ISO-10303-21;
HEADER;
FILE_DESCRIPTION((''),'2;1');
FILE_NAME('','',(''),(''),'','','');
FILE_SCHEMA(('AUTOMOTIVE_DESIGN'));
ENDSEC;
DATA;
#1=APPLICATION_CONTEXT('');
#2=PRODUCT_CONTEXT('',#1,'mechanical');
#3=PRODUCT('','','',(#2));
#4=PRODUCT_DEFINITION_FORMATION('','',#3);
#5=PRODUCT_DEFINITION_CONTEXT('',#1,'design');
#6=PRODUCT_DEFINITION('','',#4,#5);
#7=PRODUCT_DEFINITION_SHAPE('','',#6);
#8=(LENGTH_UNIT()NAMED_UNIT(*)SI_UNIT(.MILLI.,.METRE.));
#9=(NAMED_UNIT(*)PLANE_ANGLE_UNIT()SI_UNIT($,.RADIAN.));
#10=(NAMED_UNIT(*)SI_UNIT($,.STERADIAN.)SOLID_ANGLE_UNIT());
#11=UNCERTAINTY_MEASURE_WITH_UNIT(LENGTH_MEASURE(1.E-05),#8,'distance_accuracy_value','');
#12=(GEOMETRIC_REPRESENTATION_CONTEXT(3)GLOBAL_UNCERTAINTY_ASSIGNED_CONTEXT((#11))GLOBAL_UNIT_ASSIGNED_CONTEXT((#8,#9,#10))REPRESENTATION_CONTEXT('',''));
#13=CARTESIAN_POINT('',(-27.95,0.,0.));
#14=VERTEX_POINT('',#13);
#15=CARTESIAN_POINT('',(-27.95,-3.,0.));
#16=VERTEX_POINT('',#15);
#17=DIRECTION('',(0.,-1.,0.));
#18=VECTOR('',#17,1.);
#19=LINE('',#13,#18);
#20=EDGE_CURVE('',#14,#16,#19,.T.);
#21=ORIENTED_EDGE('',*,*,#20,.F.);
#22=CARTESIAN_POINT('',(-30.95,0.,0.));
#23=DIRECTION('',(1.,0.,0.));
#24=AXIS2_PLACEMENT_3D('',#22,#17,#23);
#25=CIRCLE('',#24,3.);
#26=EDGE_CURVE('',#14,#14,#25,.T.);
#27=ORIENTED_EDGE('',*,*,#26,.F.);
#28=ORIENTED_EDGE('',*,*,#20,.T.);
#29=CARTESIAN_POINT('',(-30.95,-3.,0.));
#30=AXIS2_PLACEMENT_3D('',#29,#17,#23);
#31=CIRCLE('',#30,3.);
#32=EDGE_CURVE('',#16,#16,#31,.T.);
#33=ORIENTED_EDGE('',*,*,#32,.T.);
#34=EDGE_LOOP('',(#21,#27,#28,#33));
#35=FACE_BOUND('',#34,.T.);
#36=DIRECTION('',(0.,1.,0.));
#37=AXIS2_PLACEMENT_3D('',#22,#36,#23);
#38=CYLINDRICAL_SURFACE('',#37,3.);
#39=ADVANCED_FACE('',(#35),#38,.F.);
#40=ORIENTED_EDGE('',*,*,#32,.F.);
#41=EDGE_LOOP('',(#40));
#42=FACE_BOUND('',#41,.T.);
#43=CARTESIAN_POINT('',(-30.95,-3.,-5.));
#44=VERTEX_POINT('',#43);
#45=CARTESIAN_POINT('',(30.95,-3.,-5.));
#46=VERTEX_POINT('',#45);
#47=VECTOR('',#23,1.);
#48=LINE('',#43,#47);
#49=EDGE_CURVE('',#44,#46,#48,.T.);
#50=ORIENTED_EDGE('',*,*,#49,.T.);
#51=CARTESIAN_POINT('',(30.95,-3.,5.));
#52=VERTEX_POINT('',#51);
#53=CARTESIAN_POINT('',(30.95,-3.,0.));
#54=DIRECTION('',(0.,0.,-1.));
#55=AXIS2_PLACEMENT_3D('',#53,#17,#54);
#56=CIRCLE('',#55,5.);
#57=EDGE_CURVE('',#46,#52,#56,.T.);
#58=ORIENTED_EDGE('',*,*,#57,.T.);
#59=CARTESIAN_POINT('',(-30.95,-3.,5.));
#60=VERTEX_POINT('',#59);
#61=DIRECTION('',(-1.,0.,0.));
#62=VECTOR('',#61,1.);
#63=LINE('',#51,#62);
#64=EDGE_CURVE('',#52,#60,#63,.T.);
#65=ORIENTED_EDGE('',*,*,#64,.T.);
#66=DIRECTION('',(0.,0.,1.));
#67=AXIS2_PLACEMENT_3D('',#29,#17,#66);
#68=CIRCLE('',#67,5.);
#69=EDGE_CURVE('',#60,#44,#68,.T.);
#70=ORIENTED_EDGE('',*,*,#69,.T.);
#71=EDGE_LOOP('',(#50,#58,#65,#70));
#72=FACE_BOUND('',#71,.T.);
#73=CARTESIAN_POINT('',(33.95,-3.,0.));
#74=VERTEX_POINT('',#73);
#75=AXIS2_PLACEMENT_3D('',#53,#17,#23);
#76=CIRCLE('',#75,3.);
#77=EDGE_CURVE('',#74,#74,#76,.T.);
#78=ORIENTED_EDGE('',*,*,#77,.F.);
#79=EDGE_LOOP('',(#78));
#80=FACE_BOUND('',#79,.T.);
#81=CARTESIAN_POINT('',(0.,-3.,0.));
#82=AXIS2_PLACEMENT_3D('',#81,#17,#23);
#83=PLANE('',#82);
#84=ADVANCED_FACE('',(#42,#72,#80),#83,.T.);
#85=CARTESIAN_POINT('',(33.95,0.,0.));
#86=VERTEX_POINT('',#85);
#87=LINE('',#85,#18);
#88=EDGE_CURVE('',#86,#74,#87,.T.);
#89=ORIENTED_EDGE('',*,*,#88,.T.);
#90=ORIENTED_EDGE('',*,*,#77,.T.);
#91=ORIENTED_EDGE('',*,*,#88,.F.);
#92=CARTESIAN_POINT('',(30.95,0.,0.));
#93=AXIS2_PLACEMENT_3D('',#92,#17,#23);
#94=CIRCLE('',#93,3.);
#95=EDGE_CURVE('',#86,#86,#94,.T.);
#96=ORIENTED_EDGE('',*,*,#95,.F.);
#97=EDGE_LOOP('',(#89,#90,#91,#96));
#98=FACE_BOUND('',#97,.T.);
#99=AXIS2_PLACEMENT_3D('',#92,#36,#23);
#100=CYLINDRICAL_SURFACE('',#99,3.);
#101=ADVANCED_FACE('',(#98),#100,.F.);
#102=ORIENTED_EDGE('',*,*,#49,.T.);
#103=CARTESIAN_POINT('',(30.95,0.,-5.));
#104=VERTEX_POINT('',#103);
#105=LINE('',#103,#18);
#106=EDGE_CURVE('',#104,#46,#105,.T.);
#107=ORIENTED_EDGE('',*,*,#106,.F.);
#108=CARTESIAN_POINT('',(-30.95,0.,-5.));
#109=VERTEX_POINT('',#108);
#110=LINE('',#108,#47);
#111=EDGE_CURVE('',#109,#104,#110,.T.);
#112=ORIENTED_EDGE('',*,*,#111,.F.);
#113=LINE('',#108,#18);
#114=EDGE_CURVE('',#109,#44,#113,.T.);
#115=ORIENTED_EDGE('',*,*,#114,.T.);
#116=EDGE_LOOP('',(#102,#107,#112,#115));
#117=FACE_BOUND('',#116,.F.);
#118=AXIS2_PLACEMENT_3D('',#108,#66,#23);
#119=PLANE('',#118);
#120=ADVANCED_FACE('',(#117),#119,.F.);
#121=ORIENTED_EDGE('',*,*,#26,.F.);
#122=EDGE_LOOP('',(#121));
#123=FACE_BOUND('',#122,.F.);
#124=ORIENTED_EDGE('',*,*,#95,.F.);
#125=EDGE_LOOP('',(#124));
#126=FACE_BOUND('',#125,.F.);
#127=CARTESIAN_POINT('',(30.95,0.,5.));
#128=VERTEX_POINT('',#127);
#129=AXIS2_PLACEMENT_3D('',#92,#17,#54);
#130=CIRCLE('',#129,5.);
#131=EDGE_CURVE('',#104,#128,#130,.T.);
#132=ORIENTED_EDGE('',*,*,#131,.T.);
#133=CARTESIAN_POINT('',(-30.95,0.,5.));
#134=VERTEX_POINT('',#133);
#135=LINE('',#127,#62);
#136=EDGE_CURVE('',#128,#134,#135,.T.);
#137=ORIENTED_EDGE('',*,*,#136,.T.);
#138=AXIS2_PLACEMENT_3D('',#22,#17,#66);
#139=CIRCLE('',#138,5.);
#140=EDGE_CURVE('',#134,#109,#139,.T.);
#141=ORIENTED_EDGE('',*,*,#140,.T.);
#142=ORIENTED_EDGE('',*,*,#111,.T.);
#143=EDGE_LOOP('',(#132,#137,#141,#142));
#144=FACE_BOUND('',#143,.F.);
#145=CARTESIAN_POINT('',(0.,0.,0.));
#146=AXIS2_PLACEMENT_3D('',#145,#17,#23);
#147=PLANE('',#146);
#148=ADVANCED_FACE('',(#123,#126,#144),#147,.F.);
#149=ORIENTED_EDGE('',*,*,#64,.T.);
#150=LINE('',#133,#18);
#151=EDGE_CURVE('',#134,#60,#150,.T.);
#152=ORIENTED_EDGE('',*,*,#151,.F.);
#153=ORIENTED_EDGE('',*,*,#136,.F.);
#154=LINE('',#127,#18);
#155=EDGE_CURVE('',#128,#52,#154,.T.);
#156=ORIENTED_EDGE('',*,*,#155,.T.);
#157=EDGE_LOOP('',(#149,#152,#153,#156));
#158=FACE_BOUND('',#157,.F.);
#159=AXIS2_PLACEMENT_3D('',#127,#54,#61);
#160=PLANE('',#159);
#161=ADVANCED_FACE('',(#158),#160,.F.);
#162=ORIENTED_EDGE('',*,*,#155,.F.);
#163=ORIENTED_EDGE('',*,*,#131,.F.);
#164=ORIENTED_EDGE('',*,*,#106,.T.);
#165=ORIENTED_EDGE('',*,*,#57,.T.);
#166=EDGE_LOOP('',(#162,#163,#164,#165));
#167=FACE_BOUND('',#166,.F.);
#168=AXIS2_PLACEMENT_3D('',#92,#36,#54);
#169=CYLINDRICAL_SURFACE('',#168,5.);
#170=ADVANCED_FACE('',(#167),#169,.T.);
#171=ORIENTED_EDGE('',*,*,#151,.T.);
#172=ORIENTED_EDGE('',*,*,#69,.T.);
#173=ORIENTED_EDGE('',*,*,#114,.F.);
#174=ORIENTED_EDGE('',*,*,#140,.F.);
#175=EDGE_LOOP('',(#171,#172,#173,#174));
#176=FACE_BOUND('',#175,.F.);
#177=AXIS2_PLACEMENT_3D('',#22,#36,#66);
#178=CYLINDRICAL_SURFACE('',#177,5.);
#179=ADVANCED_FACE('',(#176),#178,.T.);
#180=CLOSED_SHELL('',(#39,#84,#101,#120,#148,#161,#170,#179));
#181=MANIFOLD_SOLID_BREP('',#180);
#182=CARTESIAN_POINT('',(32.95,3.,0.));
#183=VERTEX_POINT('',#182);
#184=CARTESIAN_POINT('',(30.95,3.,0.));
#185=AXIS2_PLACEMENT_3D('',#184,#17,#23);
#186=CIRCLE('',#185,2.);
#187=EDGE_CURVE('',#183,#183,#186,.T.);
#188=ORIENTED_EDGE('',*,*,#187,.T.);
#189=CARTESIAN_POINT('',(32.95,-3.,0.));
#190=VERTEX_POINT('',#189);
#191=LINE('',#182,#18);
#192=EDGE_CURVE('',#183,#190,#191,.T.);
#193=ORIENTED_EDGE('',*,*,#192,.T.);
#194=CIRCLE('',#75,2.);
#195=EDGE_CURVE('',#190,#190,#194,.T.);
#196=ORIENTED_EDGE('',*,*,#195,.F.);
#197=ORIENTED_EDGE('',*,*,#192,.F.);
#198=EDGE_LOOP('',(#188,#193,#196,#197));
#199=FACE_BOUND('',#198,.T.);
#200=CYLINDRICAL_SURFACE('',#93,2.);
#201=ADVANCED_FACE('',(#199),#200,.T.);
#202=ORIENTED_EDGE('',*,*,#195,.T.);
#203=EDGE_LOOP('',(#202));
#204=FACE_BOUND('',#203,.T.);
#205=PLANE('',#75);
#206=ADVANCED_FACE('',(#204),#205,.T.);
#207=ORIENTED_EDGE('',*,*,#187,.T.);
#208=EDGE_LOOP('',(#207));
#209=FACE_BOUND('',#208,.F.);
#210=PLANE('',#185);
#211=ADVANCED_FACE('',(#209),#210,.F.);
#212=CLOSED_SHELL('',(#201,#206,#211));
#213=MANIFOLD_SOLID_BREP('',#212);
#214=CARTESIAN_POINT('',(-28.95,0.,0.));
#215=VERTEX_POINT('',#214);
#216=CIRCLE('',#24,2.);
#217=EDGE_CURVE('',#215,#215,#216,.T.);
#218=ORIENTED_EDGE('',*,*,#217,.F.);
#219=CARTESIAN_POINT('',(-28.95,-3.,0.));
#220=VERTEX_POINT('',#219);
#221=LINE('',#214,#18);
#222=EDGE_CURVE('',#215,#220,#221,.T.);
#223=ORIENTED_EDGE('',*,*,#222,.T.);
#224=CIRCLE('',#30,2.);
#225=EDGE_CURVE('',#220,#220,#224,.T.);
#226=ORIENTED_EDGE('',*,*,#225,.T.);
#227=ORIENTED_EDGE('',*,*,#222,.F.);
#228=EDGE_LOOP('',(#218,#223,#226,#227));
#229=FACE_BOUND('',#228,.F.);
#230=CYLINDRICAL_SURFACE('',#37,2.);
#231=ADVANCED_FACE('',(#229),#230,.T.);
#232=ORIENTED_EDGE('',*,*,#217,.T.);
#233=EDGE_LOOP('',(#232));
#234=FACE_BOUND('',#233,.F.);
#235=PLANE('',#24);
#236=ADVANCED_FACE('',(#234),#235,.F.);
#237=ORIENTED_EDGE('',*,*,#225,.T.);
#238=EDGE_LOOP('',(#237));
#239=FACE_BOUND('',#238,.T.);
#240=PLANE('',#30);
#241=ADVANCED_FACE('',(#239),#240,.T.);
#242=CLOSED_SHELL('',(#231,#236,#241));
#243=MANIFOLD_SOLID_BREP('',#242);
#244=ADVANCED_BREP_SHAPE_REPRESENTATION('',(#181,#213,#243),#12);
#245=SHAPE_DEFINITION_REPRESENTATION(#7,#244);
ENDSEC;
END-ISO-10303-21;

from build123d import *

# Parameters (mm, degrees)
F0_R     = 3
F1_DEPTH = 3
F0_R_2   = 2
F2_DEPTH = 3


with BuildPart() as f1:
    # F0 (on Front) → F1 (new body)
    with BuildSketch(Plane.XZ):
        with BuildLine():
            Line((30.95, 5), (-30.95, 5))
            ThreePointArc((-30.95, 5), (-35.95, 0), (-30.95, -5))
            Line((-30.95, -5), (30.95, -5))
            ThreePointArc((30.95, -5), (35.95, 0), (30.95, 5))
        make_face()
        with Locations((-30.95, 0)):
            Circle(F0_R, mode=Mode.SUBTRACT)
        with Locations((30.95, 0)):
            Circle(F0_R, mode=Mode.SUBTRACT)
    extrude(amount=F1_DEPTH)


with BuildPart() as f1b:
    # F0 (on Front) → F1, piece 2 (new body)
    with BuildSketch(Plane.XZ):
        with Locations((-30.95, 0)):
            Circle(F0_R_2)
    extrude(amount=F1_DEPTH)


with BuildPart() as f1c:
    # F0 (on Front) → F1, piece 3 (new body)
    with BuildSketch(Plane.XZ):
        with Locations((30.95, 0)):
            Circle(F0_R_2)
    extrude(amount=F1_DEPTH)

    # F2 (add): a face of the model
    f2_faces = [f1c.faces().sort_by_distance(p)[0] for p in [
        (30.95, 0, 0),
    ]]
    extrude(f2_faces, amount=F2_DEPTH)


solid = Compound([f1.part, f1b.part, f1c.part])
